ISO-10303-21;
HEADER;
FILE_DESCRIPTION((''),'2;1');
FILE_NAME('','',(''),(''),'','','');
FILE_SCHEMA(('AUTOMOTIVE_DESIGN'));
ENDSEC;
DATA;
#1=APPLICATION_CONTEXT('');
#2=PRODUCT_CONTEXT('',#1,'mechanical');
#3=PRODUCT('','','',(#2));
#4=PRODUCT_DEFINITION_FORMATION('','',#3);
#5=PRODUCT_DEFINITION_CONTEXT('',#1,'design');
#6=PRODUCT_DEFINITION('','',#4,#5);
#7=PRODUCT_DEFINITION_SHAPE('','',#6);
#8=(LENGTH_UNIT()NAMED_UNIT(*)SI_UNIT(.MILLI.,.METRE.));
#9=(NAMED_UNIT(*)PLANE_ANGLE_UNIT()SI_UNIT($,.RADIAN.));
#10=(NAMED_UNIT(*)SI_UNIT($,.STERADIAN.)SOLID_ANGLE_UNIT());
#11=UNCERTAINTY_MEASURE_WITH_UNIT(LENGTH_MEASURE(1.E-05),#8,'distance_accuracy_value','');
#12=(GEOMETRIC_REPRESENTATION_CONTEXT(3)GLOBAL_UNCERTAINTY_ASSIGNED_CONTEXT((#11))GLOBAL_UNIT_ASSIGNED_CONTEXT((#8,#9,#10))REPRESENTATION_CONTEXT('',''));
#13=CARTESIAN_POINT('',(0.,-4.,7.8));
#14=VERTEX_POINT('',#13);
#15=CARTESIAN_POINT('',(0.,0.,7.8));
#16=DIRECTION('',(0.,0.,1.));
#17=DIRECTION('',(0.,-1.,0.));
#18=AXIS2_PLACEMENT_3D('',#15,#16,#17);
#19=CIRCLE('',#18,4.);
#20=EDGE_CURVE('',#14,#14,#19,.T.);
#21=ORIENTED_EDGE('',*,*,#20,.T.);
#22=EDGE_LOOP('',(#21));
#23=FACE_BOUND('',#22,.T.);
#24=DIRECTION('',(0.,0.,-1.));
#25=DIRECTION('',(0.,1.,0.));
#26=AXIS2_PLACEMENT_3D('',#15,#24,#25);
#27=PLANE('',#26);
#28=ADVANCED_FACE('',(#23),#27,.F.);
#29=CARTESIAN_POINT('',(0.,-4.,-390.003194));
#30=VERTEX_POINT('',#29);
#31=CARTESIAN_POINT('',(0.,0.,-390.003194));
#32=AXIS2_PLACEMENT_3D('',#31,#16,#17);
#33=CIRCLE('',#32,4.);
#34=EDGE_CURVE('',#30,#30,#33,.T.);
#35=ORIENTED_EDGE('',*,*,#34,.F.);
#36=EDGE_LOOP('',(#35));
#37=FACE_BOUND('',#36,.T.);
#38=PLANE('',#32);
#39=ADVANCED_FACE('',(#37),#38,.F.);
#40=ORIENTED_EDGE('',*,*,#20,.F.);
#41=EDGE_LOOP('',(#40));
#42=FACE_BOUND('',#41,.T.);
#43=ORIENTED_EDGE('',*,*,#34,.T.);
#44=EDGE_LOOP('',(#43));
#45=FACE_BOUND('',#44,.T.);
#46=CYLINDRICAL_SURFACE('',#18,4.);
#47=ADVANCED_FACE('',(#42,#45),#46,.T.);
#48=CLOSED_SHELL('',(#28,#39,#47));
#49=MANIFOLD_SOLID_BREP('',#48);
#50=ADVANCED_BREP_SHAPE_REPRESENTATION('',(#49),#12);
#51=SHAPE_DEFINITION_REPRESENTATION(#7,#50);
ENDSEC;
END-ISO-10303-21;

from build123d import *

# Parameters (mm, degrees)
SKETCH2_W = 397.80319436
SKETCH2_H = 4


with BuildPart() as part:
    # Sketch2 → Revolve1 (revolve)
    with BuildSketch(Plane(origin=(0, 0, 0), x_dir=(0, 0, -1), z_dir=(1, 0, 0))):
        with Locations((191.101596989, 2)):
            Rectangle(SKETCH2_W, SKETCH2_H)
    revolve(axis=Axis((0, 0, 7.800000191), (0, 0, -1)))


solid = part.part
